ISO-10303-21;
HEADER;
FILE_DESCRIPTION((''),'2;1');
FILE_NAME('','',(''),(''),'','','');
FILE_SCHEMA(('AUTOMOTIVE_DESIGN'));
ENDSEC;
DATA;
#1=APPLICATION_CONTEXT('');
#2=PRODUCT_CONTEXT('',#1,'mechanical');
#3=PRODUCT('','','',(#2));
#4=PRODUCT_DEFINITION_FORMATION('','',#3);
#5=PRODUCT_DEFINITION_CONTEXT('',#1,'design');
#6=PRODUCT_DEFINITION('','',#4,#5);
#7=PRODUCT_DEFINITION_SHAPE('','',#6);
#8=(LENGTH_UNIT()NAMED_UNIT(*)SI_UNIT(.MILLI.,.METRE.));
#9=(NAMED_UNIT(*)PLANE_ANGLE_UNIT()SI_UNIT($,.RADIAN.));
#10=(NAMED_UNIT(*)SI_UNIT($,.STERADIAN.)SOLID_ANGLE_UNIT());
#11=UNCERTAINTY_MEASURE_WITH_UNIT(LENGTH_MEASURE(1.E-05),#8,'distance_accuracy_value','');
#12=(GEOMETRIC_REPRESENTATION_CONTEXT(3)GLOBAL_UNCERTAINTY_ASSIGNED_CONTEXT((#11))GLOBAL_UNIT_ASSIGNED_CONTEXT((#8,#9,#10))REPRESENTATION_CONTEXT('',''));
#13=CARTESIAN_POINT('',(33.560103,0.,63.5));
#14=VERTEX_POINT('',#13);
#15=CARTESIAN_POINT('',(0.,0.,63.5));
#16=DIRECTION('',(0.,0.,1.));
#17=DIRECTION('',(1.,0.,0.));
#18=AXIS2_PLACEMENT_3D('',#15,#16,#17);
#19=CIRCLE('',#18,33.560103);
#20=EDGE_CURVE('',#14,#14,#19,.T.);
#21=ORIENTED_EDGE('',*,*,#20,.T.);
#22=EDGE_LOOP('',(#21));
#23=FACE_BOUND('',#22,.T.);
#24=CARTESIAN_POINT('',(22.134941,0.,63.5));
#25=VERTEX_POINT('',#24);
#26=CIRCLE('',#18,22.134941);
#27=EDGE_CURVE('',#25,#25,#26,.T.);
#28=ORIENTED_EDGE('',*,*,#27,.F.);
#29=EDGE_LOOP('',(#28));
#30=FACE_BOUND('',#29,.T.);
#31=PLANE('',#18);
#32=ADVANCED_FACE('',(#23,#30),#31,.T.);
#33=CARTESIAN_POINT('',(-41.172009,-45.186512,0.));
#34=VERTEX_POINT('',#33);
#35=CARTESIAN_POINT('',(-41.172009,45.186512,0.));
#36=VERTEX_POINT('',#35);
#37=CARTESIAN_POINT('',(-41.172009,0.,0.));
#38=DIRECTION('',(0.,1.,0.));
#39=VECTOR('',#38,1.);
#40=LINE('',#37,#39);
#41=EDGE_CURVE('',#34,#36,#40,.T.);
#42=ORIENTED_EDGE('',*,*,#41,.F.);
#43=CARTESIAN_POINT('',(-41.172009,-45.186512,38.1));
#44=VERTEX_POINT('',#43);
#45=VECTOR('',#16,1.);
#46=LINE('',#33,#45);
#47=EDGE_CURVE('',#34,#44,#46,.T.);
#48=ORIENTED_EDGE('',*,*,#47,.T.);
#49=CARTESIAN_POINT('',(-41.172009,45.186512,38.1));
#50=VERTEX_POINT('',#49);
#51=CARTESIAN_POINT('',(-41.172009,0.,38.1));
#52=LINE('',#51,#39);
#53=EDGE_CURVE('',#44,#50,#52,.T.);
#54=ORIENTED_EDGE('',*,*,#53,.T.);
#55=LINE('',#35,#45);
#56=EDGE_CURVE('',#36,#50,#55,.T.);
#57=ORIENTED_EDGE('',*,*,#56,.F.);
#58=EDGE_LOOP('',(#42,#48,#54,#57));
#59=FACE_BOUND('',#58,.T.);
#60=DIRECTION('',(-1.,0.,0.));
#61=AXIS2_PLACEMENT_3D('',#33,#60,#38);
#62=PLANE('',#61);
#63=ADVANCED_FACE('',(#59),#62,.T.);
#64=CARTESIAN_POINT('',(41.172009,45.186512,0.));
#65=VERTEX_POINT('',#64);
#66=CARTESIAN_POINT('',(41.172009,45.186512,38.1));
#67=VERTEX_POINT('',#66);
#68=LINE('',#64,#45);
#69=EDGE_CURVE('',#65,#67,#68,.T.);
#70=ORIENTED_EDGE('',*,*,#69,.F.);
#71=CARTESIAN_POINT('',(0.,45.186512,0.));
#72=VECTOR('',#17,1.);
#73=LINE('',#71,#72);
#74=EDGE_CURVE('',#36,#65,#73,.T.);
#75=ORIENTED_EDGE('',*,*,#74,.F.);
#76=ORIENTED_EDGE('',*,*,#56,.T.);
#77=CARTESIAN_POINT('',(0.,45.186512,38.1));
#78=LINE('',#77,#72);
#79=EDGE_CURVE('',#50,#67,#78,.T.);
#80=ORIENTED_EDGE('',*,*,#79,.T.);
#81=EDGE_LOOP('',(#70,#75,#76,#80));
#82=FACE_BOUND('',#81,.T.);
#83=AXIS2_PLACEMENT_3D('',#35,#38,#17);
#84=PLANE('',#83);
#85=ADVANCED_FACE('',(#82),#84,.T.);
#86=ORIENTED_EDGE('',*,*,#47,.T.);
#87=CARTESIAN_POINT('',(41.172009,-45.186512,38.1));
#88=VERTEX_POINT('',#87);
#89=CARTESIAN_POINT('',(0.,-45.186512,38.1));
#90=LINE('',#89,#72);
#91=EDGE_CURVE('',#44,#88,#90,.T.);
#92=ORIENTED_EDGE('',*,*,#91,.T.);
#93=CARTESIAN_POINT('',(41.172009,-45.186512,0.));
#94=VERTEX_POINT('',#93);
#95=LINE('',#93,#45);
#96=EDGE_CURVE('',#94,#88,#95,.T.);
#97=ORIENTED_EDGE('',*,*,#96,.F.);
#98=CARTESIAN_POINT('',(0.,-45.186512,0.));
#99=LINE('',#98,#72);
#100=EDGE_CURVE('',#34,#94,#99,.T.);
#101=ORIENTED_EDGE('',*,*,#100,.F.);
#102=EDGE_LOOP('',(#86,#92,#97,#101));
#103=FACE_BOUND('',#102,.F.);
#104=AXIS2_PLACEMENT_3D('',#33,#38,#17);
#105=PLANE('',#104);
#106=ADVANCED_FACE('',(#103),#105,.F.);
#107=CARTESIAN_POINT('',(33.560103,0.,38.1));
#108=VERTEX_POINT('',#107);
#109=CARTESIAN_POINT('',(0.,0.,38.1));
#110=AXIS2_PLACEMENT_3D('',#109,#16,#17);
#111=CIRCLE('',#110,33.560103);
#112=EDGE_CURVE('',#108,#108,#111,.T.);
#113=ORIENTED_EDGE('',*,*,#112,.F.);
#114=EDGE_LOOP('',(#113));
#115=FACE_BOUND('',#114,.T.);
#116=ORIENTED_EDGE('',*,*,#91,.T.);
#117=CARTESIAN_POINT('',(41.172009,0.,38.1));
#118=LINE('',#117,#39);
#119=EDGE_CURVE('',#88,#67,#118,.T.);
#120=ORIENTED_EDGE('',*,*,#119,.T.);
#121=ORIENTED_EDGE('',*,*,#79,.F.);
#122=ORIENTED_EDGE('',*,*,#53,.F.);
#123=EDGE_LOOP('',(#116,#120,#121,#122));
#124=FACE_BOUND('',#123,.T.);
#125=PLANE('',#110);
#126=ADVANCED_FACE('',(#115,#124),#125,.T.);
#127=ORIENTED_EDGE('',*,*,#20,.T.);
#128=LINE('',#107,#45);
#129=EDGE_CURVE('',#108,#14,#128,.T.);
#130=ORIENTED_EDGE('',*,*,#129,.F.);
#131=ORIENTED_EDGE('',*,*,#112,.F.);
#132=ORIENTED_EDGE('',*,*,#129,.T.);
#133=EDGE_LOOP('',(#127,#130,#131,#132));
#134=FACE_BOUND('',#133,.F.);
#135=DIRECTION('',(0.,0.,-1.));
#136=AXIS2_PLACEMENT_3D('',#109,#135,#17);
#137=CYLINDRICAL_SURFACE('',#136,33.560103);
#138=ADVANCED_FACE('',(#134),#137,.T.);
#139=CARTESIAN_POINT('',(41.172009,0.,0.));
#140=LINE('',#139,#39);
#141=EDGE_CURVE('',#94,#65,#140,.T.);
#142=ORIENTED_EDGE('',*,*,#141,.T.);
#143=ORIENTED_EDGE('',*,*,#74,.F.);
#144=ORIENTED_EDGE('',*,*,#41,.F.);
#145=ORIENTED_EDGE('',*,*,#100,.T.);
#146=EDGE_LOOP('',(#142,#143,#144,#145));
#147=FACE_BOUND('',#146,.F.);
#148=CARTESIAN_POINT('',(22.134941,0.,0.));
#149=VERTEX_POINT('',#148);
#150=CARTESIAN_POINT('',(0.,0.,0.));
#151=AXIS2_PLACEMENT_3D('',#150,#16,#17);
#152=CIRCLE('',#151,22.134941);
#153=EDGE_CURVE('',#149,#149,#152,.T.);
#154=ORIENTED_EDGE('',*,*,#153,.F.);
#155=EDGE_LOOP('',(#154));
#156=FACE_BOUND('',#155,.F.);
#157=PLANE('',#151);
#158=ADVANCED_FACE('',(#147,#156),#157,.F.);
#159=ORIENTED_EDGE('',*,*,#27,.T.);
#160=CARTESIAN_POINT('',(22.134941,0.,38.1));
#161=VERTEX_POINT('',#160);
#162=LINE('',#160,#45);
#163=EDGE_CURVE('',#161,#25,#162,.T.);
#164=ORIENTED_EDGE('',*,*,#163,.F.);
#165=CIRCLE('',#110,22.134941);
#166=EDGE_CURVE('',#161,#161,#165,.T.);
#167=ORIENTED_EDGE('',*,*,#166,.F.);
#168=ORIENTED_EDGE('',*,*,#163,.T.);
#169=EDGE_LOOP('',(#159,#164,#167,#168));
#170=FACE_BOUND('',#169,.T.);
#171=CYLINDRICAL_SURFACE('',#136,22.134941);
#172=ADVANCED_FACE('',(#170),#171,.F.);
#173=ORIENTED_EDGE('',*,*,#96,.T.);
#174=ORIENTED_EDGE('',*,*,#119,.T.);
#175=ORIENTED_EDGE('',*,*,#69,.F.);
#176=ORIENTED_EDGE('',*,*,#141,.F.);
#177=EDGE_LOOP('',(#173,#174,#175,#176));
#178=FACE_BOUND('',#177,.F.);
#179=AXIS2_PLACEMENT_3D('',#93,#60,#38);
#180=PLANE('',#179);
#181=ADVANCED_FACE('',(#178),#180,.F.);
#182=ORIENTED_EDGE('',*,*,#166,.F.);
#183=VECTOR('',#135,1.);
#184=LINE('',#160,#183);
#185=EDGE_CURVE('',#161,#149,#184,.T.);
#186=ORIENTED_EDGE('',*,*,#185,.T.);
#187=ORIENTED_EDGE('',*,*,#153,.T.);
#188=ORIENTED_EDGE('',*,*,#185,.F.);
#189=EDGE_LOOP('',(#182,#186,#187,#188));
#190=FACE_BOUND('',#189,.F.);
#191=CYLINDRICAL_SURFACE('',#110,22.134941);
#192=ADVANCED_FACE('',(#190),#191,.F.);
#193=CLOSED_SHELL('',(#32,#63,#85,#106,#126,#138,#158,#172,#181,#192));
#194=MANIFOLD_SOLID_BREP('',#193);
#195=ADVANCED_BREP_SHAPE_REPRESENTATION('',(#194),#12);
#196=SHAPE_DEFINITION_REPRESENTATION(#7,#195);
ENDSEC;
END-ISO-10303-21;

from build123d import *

# Parameters (mm, degrees)
F0_W      = 82.344018
F0_H      = 90.373024
F1_DEPTH  = 38.1
F2_R      = 33.560103
F2_R_2    = 22.134941
F3_DEPTH  = 25.4
F3_FACE_R = 22.134941
F4_DEPTH  = 127


with BuildPart() as f1:
    # F0 (on Top) → F1 (new body)
    with BuildSketch(Plane.XY):
        Rectangle(F0_W, F0_H)
    extrude(amount=F1_DEPTH)

    # F2 (on face) → F3 (join)
    with BuildSketch(Plane.XY.offset(38.1)):
        Circle(F2_R)
        Circle(F2_R_2, mode=Mode.SUBTRACT)
    extrude(amount=F3_DEPTH)

    # F3_face (on face) → F4 (cut)
    with BuildSketch(Plane.XY.offset(38.1)):
        Circle(F3_FACE_R)
    extrude(amount=-F4_DEPTH, mode=Mode.SUBTRACT)


solid = f1.part
